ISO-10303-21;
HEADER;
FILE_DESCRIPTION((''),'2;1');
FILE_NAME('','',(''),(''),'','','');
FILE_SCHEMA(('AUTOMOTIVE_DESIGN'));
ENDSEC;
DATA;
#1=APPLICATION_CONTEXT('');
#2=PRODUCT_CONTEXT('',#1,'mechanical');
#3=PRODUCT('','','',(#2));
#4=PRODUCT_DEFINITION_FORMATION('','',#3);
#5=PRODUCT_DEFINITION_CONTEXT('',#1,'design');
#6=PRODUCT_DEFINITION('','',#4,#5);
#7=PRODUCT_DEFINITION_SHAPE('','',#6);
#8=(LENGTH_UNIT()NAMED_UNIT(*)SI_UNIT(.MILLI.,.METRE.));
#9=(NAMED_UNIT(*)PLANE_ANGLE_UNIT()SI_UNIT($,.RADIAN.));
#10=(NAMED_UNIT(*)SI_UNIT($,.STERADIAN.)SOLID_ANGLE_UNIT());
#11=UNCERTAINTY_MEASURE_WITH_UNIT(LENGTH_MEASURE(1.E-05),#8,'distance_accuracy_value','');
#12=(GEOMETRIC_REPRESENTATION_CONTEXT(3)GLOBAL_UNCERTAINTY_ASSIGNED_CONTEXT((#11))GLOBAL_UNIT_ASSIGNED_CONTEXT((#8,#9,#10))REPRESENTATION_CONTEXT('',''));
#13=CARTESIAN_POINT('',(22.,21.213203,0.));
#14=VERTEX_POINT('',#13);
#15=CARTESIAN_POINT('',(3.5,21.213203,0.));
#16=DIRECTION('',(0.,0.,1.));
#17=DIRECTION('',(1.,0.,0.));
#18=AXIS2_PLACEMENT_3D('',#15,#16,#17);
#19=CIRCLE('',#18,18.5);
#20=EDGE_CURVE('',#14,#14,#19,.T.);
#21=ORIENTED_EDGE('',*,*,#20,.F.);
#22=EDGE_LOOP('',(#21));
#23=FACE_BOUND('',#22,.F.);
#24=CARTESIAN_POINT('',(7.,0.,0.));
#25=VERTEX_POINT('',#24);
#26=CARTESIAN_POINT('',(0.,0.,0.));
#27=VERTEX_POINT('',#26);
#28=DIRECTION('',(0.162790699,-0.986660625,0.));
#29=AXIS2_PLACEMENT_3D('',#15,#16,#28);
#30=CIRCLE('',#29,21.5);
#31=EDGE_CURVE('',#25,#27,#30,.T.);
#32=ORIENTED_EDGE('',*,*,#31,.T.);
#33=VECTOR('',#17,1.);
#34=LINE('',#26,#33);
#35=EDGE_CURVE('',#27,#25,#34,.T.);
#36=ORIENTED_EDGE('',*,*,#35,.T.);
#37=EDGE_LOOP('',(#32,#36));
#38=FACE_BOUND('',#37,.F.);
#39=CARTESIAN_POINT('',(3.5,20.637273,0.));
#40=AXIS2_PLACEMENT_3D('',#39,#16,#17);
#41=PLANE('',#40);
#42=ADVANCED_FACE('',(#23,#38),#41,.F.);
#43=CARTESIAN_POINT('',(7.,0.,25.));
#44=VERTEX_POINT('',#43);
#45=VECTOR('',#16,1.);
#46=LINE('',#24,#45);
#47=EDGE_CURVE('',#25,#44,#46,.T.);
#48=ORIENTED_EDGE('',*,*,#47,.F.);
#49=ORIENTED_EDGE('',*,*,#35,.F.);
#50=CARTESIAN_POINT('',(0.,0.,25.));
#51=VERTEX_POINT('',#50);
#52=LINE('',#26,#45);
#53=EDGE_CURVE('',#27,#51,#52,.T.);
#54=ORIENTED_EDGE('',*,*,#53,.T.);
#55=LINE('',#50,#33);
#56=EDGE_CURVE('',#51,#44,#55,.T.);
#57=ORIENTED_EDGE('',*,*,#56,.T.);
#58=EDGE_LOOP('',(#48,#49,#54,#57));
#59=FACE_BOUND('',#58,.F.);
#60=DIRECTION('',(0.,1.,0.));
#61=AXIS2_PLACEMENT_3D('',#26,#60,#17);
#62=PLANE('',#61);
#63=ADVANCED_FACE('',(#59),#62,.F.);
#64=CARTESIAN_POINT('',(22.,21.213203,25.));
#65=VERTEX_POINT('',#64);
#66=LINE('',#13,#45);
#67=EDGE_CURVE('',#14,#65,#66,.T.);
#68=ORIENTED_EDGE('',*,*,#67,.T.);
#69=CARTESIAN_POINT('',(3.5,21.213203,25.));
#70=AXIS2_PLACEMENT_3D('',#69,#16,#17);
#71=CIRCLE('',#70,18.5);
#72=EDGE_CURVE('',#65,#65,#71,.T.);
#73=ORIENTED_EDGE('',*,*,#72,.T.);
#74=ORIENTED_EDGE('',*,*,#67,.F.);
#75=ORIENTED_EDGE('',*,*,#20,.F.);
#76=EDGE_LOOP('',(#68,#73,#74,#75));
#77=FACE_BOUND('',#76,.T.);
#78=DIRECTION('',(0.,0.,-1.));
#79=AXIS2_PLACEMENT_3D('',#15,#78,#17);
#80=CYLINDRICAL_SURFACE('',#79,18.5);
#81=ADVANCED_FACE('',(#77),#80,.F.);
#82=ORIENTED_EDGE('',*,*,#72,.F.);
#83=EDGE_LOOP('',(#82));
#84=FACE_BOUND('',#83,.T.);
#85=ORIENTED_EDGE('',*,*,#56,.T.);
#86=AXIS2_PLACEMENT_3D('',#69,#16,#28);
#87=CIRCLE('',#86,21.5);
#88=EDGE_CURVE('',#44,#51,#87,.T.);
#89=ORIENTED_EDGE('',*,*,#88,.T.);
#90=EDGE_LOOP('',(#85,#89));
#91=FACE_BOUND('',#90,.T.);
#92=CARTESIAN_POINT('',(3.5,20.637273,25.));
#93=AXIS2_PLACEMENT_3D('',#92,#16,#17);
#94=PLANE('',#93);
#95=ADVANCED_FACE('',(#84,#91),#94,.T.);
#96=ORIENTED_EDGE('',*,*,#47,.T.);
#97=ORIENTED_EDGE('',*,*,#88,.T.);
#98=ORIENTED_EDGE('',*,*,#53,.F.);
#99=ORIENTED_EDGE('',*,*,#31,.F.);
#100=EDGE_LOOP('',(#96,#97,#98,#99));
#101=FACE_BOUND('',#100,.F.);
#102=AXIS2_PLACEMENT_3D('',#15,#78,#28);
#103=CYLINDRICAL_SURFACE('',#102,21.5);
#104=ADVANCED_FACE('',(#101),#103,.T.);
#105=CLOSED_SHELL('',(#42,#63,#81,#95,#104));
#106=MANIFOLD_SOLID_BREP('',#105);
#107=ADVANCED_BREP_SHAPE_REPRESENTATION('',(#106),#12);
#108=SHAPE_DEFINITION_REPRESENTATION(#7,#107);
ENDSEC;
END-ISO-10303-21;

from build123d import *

# Parameters (mm, degrees)
F0_R     = 18.5
F1_DEPTH = 25


with BuildPart() as f1:
    # F0 (on Top) → F1 (new body)
    with BuildSketch(Plane.XY):
        with BuildLine():
            ThreePointArc((7, 0), (3.5, 42.713203), (0, 0))
            Line((0, 0), (7, 0))
        make_face()
        with Locations((3.5, 21.213203)):
            Circle(F0_R, mode=Mode.SUBTRACT)
    extrude(amount=F1_DEPTH)


solid = f1.part
